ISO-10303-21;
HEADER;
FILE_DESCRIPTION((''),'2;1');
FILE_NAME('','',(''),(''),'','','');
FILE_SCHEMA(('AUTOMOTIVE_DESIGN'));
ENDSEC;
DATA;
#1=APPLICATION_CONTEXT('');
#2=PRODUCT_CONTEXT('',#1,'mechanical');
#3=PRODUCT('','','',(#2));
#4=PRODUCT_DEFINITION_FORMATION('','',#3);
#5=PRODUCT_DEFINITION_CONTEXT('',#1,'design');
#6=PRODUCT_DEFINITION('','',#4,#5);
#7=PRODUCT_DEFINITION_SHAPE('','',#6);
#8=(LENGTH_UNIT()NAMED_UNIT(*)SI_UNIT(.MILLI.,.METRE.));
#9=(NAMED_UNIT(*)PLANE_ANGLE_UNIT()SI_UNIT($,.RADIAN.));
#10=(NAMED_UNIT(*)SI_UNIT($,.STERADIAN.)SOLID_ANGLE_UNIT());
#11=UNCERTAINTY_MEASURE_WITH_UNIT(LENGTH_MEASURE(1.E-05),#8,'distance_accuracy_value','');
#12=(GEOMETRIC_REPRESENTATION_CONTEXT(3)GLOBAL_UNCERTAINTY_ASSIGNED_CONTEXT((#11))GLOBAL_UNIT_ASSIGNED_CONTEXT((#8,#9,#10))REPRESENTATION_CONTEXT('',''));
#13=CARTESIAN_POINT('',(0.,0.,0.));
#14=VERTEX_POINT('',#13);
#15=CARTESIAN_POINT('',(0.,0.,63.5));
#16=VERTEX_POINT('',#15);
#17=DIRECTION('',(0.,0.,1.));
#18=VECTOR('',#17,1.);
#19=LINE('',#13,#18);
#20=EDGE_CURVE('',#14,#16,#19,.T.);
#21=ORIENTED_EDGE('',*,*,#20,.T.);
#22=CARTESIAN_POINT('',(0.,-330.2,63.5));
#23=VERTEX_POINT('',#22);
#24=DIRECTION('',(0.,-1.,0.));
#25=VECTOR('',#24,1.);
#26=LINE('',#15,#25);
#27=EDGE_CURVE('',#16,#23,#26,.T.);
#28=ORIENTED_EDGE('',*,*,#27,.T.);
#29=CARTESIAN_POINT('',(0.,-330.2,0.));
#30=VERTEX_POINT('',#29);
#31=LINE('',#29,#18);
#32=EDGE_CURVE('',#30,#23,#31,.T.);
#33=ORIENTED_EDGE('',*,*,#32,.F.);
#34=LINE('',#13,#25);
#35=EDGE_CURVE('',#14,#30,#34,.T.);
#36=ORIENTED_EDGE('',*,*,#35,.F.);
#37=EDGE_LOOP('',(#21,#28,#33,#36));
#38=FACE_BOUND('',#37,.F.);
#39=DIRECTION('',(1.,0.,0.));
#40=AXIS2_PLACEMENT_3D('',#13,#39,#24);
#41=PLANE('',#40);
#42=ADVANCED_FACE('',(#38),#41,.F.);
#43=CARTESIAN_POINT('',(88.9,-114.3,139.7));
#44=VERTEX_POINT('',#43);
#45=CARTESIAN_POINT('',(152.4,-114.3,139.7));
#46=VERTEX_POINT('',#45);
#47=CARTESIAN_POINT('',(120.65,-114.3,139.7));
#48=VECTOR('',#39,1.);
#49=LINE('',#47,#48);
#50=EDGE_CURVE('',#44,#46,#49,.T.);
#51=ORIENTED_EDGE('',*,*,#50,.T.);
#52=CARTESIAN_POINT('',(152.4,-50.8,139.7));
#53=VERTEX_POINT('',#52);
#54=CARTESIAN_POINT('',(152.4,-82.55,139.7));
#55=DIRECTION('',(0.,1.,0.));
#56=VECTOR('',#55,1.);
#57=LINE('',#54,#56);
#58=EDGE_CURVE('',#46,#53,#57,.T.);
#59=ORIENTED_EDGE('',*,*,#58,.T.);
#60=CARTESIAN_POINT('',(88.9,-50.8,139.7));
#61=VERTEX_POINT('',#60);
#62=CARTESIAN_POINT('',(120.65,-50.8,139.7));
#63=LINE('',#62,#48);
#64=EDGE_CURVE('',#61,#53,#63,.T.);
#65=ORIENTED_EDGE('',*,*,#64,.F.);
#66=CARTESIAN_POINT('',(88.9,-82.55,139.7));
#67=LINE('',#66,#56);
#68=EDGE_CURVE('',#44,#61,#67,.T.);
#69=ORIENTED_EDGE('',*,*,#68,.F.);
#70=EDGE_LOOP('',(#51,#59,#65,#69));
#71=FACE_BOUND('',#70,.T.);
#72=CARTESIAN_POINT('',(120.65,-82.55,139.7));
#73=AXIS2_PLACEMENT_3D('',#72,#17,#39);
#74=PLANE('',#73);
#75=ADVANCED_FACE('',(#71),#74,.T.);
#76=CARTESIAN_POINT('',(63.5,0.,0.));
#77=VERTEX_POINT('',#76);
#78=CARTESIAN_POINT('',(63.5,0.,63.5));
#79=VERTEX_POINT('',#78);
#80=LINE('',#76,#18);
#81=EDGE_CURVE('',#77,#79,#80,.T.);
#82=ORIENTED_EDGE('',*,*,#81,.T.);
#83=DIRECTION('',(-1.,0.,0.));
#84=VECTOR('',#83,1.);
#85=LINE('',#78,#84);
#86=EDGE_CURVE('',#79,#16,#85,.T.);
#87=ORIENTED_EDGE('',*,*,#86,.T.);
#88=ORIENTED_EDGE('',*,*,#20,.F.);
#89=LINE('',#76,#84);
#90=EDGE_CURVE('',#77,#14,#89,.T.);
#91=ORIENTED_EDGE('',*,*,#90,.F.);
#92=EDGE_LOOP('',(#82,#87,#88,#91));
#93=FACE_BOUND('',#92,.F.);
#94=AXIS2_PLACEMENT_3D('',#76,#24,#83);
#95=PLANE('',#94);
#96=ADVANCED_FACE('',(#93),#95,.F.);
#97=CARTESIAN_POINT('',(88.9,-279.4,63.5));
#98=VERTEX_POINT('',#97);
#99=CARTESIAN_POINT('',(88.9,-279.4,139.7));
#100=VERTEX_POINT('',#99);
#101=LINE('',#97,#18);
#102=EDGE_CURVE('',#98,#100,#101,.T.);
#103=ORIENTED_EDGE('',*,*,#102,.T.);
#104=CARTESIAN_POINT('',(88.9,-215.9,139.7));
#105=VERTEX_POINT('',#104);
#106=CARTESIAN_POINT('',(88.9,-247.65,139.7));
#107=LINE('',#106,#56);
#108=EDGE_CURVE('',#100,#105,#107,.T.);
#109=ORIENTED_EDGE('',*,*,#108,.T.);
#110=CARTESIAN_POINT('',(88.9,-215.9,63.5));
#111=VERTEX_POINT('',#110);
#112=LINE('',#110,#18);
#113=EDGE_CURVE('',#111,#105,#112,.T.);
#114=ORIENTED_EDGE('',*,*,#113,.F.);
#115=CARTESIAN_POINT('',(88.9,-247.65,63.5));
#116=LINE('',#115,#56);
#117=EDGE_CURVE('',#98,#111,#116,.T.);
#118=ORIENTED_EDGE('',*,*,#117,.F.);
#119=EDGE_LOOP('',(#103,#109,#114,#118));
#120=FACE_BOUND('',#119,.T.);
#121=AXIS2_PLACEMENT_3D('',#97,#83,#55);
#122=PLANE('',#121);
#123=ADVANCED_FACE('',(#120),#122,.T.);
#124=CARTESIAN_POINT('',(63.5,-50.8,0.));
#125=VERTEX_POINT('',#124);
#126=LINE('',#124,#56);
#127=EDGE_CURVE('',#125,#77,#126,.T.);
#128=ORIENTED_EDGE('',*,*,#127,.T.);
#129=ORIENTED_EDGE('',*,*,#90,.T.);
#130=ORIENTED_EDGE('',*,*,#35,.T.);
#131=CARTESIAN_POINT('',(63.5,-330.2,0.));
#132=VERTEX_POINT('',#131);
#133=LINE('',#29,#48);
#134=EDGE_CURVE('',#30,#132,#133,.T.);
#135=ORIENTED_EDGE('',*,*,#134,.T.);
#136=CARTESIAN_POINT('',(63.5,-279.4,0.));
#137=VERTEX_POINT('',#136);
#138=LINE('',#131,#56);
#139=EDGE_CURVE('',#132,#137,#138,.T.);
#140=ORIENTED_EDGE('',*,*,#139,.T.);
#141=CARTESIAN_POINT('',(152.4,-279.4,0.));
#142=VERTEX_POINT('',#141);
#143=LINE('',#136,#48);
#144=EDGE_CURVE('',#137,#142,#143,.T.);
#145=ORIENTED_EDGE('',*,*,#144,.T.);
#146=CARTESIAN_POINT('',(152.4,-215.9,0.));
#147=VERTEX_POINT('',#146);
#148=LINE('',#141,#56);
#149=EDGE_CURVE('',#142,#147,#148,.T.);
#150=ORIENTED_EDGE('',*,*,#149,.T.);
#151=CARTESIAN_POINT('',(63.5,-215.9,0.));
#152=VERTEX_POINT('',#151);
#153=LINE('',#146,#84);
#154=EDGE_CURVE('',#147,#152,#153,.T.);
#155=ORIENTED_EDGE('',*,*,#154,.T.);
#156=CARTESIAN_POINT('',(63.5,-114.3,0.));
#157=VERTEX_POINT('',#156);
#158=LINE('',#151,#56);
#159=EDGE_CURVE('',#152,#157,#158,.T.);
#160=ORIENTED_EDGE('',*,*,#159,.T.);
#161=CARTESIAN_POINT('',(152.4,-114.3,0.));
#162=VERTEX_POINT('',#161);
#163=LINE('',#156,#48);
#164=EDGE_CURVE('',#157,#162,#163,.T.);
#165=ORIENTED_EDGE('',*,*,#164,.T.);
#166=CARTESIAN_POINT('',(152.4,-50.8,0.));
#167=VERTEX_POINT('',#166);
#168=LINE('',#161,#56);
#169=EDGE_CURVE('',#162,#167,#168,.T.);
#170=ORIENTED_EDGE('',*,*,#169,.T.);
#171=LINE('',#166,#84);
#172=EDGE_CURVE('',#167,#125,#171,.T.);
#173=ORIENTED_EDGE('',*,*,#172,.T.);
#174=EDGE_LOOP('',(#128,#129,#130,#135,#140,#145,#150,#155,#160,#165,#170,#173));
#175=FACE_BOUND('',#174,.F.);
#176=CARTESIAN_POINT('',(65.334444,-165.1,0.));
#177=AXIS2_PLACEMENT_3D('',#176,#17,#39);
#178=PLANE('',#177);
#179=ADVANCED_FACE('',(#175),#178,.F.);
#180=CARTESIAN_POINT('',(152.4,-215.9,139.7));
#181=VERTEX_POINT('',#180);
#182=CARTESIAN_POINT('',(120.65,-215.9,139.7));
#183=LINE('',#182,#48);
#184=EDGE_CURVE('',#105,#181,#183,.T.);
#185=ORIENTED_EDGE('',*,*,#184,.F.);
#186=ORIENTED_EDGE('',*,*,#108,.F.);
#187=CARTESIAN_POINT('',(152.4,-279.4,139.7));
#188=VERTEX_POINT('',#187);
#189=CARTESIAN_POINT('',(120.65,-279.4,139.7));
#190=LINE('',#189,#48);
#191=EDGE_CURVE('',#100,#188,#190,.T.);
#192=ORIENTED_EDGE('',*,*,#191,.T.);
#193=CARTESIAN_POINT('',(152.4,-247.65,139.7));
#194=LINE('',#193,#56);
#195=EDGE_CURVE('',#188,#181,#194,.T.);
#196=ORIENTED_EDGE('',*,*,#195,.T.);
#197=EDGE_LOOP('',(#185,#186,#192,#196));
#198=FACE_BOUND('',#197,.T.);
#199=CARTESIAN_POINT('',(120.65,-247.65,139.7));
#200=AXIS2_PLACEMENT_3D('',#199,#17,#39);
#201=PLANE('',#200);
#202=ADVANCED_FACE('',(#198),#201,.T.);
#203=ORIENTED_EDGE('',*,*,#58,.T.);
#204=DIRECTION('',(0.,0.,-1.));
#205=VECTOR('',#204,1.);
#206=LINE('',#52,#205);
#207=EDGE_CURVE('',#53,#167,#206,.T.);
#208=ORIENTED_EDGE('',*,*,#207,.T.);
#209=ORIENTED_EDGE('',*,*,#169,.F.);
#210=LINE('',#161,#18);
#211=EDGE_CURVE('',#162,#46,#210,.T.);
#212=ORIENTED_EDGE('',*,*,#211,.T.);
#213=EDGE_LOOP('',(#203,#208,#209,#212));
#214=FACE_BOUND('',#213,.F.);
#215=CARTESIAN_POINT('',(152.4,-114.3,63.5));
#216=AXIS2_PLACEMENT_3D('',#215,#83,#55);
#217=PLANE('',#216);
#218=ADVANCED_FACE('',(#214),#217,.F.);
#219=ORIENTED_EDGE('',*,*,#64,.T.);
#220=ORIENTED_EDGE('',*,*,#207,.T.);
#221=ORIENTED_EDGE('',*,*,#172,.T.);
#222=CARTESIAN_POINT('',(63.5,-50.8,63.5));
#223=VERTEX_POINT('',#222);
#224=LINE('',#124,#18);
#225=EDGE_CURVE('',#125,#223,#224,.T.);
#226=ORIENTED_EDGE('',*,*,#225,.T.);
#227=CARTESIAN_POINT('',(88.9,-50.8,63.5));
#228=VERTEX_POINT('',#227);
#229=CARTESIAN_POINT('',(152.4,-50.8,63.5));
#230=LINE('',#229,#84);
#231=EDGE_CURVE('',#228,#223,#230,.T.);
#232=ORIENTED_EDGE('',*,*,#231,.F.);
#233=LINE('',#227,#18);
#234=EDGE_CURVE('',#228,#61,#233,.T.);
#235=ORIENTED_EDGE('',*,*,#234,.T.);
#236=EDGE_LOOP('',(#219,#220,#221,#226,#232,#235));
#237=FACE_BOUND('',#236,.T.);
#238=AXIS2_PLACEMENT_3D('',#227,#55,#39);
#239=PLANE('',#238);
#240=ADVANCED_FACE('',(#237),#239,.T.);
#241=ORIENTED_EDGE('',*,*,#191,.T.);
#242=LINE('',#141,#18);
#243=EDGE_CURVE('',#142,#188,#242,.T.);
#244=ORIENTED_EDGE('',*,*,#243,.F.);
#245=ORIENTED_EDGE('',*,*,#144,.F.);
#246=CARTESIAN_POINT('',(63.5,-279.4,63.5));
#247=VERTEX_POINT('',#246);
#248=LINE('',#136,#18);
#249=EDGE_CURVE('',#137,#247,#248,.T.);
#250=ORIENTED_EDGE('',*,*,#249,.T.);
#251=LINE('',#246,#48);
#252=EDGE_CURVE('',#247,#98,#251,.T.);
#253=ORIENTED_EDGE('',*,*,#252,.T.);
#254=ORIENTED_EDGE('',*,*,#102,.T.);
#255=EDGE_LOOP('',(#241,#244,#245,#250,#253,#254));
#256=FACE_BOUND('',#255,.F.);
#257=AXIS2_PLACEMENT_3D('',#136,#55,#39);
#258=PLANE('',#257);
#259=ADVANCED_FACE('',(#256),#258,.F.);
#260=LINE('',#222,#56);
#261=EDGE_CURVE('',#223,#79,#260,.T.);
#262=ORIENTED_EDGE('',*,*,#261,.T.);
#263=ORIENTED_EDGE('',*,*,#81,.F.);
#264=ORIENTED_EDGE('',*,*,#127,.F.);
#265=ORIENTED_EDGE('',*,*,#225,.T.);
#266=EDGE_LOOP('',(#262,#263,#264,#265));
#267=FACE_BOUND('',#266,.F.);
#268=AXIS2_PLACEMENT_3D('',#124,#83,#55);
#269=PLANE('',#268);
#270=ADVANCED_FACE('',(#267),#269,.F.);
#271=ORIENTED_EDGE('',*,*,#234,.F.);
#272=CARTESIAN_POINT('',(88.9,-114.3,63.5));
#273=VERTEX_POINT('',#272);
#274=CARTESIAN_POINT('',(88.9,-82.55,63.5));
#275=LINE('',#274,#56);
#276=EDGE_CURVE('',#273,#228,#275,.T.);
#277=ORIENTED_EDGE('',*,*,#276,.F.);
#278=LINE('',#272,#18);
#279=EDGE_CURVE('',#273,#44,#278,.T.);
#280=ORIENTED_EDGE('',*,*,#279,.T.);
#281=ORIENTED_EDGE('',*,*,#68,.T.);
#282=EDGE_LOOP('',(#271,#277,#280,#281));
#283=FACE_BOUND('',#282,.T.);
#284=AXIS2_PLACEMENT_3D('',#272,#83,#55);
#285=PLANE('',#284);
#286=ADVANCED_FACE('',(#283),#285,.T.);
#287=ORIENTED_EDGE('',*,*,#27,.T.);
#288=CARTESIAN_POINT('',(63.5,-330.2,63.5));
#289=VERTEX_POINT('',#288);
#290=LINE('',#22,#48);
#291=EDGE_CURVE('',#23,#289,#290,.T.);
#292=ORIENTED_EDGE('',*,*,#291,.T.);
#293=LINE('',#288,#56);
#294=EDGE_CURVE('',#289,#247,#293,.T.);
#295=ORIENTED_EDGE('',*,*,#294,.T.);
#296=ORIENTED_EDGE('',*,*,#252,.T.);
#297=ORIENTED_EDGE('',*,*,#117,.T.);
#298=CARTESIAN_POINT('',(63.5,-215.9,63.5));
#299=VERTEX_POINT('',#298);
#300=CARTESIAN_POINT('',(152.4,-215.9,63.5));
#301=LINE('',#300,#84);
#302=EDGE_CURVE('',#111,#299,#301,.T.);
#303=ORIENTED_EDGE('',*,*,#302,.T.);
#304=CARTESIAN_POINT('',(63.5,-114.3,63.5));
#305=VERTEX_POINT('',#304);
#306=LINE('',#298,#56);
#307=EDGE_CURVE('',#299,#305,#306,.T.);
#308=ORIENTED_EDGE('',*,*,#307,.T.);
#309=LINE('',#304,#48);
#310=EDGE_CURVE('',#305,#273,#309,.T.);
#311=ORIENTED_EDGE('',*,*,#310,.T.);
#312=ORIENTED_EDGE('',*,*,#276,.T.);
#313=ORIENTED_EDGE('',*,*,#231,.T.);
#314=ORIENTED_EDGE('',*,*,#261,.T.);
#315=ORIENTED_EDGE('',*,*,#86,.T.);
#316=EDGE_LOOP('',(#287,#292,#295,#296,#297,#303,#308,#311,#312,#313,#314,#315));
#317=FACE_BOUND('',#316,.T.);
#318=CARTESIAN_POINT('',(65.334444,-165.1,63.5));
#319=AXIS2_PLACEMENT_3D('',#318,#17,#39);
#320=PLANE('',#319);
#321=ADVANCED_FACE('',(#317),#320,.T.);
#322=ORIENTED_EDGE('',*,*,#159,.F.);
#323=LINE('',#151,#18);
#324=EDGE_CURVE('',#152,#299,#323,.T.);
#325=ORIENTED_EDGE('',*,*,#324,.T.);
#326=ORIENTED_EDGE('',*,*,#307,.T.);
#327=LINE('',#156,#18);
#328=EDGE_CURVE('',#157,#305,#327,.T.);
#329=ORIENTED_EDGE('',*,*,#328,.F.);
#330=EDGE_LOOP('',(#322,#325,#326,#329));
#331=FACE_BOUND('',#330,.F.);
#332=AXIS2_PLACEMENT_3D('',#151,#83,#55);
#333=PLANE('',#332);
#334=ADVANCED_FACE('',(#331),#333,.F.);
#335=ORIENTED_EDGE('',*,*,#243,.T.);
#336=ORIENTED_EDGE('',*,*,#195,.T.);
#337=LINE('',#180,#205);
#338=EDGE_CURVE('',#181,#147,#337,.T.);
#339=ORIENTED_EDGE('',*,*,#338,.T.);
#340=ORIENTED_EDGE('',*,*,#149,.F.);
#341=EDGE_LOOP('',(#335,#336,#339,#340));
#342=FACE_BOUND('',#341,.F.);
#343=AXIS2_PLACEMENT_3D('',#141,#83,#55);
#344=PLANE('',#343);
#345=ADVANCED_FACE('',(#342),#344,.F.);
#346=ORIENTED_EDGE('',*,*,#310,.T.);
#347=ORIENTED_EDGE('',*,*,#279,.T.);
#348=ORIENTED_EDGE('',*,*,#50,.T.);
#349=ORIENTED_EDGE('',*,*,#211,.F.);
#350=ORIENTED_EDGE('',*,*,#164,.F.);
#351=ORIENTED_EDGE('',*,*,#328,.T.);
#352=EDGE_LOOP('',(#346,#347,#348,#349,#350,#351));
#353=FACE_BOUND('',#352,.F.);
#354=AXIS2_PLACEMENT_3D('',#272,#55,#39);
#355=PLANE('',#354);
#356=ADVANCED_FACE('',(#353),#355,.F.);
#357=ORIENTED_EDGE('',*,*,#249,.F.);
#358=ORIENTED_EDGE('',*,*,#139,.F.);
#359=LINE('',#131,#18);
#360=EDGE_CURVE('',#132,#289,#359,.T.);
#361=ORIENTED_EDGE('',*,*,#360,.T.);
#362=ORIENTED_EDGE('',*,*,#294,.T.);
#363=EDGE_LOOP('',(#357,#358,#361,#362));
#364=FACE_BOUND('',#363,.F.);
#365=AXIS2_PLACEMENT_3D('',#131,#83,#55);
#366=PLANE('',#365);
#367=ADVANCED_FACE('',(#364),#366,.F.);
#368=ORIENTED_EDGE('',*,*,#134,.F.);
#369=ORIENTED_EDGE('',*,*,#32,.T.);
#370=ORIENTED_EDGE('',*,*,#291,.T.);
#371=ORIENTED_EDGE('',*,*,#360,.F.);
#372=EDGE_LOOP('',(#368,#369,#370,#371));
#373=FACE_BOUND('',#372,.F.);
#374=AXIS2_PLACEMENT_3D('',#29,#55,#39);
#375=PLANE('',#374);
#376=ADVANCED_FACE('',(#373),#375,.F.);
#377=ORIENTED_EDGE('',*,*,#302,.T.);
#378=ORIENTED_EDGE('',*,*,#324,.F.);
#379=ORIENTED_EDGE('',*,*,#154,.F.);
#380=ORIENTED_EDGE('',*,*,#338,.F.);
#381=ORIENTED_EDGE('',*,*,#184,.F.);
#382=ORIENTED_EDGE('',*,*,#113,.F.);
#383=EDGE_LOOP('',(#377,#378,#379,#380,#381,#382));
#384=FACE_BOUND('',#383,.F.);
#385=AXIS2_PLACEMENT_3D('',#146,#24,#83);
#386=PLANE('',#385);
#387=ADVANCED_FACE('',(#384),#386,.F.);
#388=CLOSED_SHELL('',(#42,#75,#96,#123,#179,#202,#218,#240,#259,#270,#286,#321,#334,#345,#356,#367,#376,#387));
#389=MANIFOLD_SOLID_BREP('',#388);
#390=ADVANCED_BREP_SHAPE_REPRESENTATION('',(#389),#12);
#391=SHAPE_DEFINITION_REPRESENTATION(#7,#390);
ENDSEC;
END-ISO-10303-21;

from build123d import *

# Parameters (mm, degrees)
F1_DEPTH = 63.5
F2_W     = 63.5
F2_H     = 63.5
F3_DEPTH = 76.2


with BuildPart() as f1:
    # F0 (on Top) → F1 (new body)
    with BuildSketch(Plane.XY):
        Polygon((63.5, 0), (0, 0), (0, -330.2), (63.5, -330.2), (63.5, -279.4), (152.4, -279.4), (152.4, -215.9), (63.5, -215.9), (63.5, -114.3), (152.4, -114.3), (152.4, -50.8), (63.5, -50.8), align=None)
    extrude(amount=F1_DEPTH)

    # F2 (on face) → F3 (join)
    with BuildSketch(Plane.XY.offset(63.5)):
        with Locations((120.65, -82.55)):
            Rectangle(F2_W, F2_H)
        with Locations((120.65, -247.65)):
            Rectangle(F2_W, F2_H)
    extrude(amount=F3_DEPTH)


solid = f1.part
